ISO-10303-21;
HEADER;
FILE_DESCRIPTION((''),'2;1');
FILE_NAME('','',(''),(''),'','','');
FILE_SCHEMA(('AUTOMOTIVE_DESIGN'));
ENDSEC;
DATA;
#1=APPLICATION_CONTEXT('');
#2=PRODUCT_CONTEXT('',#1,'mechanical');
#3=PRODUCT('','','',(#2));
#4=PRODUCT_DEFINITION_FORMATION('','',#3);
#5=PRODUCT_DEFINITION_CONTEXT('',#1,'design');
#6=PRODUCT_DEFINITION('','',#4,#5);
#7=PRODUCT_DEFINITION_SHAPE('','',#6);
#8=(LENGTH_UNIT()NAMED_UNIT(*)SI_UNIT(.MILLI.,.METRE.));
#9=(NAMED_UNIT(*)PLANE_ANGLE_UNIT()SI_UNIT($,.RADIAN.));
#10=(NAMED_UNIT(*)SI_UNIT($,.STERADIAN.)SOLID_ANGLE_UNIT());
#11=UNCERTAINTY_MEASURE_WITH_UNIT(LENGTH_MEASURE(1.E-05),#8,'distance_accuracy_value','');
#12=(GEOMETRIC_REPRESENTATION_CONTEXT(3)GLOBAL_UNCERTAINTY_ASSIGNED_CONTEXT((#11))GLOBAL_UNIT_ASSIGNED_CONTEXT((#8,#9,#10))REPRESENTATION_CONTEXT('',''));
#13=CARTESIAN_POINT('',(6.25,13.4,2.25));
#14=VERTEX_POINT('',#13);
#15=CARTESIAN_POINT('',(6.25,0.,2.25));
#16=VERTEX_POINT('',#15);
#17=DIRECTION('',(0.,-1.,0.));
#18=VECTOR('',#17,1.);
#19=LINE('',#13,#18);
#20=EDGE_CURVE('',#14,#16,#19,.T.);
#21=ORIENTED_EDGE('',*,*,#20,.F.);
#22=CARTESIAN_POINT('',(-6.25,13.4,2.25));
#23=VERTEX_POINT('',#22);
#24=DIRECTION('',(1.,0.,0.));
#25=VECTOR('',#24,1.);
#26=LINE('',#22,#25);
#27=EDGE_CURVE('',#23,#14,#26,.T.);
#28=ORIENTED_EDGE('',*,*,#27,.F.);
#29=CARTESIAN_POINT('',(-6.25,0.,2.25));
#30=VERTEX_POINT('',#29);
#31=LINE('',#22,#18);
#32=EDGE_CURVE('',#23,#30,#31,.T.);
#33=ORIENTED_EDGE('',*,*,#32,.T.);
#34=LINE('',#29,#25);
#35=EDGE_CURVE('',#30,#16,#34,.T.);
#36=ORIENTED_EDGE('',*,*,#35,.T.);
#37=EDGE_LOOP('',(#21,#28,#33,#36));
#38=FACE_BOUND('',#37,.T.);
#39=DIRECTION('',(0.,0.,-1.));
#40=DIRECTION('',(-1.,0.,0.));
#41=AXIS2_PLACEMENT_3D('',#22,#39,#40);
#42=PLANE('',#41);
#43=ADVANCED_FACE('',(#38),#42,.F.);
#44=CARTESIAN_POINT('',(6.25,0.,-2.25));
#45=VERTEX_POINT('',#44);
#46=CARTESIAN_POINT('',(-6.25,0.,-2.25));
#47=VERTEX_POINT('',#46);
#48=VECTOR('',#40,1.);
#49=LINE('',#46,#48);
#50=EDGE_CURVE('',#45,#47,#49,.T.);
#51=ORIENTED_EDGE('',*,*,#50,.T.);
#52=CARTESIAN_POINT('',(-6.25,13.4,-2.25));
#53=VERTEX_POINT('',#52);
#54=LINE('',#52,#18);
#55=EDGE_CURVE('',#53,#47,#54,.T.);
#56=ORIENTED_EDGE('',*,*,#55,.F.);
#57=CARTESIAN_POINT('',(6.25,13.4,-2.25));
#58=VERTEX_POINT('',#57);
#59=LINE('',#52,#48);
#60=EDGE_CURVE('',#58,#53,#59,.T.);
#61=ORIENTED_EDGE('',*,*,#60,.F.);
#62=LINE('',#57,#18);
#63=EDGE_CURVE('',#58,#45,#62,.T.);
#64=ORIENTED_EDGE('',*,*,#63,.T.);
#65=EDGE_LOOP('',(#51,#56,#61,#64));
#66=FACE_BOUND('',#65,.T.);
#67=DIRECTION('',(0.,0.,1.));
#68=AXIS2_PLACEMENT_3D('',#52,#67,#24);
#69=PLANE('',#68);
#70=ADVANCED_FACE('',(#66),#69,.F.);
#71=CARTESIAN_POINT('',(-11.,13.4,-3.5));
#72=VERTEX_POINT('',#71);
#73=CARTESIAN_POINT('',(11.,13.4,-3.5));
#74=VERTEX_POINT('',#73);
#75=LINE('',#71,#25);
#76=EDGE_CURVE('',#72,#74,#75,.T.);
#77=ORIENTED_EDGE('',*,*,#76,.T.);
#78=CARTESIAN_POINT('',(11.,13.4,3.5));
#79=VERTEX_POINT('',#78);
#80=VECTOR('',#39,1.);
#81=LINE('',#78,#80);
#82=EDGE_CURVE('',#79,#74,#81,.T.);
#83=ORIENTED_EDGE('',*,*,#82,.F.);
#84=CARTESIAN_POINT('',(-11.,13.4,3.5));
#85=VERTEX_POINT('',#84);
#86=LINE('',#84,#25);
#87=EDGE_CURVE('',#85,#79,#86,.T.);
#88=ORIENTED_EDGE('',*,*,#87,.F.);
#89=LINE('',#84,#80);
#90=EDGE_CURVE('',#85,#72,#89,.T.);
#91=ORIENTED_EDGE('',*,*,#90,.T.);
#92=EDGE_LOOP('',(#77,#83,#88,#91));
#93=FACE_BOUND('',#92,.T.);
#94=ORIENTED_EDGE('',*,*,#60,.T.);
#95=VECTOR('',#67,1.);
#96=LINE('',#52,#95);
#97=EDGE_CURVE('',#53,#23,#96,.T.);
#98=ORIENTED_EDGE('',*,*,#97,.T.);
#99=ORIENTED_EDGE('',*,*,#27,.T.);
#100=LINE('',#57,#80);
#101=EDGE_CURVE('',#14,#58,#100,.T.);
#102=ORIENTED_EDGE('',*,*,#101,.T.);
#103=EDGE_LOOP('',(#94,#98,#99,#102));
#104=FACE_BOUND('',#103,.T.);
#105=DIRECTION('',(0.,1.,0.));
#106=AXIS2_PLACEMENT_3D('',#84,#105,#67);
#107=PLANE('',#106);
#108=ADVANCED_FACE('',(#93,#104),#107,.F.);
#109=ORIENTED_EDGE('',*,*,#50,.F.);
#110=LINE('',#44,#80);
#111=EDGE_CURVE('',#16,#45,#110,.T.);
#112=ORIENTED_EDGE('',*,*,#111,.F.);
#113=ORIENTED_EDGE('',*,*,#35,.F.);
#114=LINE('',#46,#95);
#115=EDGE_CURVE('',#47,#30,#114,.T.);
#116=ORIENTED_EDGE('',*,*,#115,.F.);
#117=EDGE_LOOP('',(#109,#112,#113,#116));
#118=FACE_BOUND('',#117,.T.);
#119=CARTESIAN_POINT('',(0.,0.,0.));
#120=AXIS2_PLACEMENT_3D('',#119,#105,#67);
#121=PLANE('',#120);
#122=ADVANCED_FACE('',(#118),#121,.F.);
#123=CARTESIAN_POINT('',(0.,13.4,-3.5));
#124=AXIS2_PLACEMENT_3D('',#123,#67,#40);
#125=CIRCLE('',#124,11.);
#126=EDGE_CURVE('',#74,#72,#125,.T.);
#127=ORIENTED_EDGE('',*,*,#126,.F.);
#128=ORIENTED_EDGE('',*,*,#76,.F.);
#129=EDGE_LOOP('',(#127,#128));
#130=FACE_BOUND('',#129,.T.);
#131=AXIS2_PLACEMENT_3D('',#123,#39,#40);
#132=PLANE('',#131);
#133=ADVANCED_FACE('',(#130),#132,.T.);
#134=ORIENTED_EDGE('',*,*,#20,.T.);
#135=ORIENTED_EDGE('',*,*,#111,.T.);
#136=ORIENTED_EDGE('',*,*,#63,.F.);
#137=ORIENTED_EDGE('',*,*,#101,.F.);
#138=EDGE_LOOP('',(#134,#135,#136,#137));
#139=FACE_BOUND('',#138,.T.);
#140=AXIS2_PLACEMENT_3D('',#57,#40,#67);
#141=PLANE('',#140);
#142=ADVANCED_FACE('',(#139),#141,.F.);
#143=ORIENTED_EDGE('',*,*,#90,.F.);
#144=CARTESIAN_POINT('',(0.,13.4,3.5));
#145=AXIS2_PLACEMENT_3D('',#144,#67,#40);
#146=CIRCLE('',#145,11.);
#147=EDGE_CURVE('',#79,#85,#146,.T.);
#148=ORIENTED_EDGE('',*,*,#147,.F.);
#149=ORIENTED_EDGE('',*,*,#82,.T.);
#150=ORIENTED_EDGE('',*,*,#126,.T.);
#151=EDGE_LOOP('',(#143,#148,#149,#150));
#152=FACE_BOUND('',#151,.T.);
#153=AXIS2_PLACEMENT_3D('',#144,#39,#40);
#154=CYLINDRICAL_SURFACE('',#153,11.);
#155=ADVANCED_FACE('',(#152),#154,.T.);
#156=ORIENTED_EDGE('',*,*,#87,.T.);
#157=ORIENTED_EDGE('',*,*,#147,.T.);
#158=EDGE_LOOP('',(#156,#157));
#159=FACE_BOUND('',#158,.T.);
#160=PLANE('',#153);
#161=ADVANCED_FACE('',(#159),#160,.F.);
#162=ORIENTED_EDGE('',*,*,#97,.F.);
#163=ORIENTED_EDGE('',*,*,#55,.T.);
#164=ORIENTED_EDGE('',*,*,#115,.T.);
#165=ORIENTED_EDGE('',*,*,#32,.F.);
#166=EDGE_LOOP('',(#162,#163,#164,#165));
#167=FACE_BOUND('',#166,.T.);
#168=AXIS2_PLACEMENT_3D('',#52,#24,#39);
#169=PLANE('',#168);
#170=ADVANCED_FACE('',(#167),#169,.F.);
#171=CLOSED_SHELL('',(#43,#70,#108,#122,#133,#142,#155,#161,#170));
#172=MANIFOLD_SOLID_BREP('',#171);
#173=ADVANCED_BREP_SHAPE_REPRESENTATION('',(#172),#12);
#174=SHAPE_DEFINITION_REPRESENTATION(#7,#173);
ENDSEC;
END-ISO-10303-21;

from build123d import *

# Parameters (mm, degrees)
SKETCH1_W           = 12.5
SKETCH1_H           = 4.5
BOSS_EXTRUDE1_DEPTH = 13.4
BOSS_EXTRUDE2_DEPTH = 3.5


with BuildPart() as part:
    # Sketch1 → Boss-Extrude1 (new body)
    with BuildSketch(Plane(origin=(0, 0, 0), x_dir=(1, 0, 0), z_dir=(0, 1, 0))):
        Rectangle(SKETCH1_W, SKETCH1_H)
    extrude(amount=BOSS_EXTRUDE1_DEPTH)

    # Sketch2 → Boss-Extrude2 (add, symmetric)
    with BuildSketch(Plane.XY):
        with BuildLine():
            Line((-11, 13.4), (11, 13.4))
            ThreePointArc((11, 13.4), (0, 24.4), (-11, 13.4))
        make_face()
    extrude(amount=BOSS_EXTRUDE2_DEPTH, both=True)


solid = part.part
